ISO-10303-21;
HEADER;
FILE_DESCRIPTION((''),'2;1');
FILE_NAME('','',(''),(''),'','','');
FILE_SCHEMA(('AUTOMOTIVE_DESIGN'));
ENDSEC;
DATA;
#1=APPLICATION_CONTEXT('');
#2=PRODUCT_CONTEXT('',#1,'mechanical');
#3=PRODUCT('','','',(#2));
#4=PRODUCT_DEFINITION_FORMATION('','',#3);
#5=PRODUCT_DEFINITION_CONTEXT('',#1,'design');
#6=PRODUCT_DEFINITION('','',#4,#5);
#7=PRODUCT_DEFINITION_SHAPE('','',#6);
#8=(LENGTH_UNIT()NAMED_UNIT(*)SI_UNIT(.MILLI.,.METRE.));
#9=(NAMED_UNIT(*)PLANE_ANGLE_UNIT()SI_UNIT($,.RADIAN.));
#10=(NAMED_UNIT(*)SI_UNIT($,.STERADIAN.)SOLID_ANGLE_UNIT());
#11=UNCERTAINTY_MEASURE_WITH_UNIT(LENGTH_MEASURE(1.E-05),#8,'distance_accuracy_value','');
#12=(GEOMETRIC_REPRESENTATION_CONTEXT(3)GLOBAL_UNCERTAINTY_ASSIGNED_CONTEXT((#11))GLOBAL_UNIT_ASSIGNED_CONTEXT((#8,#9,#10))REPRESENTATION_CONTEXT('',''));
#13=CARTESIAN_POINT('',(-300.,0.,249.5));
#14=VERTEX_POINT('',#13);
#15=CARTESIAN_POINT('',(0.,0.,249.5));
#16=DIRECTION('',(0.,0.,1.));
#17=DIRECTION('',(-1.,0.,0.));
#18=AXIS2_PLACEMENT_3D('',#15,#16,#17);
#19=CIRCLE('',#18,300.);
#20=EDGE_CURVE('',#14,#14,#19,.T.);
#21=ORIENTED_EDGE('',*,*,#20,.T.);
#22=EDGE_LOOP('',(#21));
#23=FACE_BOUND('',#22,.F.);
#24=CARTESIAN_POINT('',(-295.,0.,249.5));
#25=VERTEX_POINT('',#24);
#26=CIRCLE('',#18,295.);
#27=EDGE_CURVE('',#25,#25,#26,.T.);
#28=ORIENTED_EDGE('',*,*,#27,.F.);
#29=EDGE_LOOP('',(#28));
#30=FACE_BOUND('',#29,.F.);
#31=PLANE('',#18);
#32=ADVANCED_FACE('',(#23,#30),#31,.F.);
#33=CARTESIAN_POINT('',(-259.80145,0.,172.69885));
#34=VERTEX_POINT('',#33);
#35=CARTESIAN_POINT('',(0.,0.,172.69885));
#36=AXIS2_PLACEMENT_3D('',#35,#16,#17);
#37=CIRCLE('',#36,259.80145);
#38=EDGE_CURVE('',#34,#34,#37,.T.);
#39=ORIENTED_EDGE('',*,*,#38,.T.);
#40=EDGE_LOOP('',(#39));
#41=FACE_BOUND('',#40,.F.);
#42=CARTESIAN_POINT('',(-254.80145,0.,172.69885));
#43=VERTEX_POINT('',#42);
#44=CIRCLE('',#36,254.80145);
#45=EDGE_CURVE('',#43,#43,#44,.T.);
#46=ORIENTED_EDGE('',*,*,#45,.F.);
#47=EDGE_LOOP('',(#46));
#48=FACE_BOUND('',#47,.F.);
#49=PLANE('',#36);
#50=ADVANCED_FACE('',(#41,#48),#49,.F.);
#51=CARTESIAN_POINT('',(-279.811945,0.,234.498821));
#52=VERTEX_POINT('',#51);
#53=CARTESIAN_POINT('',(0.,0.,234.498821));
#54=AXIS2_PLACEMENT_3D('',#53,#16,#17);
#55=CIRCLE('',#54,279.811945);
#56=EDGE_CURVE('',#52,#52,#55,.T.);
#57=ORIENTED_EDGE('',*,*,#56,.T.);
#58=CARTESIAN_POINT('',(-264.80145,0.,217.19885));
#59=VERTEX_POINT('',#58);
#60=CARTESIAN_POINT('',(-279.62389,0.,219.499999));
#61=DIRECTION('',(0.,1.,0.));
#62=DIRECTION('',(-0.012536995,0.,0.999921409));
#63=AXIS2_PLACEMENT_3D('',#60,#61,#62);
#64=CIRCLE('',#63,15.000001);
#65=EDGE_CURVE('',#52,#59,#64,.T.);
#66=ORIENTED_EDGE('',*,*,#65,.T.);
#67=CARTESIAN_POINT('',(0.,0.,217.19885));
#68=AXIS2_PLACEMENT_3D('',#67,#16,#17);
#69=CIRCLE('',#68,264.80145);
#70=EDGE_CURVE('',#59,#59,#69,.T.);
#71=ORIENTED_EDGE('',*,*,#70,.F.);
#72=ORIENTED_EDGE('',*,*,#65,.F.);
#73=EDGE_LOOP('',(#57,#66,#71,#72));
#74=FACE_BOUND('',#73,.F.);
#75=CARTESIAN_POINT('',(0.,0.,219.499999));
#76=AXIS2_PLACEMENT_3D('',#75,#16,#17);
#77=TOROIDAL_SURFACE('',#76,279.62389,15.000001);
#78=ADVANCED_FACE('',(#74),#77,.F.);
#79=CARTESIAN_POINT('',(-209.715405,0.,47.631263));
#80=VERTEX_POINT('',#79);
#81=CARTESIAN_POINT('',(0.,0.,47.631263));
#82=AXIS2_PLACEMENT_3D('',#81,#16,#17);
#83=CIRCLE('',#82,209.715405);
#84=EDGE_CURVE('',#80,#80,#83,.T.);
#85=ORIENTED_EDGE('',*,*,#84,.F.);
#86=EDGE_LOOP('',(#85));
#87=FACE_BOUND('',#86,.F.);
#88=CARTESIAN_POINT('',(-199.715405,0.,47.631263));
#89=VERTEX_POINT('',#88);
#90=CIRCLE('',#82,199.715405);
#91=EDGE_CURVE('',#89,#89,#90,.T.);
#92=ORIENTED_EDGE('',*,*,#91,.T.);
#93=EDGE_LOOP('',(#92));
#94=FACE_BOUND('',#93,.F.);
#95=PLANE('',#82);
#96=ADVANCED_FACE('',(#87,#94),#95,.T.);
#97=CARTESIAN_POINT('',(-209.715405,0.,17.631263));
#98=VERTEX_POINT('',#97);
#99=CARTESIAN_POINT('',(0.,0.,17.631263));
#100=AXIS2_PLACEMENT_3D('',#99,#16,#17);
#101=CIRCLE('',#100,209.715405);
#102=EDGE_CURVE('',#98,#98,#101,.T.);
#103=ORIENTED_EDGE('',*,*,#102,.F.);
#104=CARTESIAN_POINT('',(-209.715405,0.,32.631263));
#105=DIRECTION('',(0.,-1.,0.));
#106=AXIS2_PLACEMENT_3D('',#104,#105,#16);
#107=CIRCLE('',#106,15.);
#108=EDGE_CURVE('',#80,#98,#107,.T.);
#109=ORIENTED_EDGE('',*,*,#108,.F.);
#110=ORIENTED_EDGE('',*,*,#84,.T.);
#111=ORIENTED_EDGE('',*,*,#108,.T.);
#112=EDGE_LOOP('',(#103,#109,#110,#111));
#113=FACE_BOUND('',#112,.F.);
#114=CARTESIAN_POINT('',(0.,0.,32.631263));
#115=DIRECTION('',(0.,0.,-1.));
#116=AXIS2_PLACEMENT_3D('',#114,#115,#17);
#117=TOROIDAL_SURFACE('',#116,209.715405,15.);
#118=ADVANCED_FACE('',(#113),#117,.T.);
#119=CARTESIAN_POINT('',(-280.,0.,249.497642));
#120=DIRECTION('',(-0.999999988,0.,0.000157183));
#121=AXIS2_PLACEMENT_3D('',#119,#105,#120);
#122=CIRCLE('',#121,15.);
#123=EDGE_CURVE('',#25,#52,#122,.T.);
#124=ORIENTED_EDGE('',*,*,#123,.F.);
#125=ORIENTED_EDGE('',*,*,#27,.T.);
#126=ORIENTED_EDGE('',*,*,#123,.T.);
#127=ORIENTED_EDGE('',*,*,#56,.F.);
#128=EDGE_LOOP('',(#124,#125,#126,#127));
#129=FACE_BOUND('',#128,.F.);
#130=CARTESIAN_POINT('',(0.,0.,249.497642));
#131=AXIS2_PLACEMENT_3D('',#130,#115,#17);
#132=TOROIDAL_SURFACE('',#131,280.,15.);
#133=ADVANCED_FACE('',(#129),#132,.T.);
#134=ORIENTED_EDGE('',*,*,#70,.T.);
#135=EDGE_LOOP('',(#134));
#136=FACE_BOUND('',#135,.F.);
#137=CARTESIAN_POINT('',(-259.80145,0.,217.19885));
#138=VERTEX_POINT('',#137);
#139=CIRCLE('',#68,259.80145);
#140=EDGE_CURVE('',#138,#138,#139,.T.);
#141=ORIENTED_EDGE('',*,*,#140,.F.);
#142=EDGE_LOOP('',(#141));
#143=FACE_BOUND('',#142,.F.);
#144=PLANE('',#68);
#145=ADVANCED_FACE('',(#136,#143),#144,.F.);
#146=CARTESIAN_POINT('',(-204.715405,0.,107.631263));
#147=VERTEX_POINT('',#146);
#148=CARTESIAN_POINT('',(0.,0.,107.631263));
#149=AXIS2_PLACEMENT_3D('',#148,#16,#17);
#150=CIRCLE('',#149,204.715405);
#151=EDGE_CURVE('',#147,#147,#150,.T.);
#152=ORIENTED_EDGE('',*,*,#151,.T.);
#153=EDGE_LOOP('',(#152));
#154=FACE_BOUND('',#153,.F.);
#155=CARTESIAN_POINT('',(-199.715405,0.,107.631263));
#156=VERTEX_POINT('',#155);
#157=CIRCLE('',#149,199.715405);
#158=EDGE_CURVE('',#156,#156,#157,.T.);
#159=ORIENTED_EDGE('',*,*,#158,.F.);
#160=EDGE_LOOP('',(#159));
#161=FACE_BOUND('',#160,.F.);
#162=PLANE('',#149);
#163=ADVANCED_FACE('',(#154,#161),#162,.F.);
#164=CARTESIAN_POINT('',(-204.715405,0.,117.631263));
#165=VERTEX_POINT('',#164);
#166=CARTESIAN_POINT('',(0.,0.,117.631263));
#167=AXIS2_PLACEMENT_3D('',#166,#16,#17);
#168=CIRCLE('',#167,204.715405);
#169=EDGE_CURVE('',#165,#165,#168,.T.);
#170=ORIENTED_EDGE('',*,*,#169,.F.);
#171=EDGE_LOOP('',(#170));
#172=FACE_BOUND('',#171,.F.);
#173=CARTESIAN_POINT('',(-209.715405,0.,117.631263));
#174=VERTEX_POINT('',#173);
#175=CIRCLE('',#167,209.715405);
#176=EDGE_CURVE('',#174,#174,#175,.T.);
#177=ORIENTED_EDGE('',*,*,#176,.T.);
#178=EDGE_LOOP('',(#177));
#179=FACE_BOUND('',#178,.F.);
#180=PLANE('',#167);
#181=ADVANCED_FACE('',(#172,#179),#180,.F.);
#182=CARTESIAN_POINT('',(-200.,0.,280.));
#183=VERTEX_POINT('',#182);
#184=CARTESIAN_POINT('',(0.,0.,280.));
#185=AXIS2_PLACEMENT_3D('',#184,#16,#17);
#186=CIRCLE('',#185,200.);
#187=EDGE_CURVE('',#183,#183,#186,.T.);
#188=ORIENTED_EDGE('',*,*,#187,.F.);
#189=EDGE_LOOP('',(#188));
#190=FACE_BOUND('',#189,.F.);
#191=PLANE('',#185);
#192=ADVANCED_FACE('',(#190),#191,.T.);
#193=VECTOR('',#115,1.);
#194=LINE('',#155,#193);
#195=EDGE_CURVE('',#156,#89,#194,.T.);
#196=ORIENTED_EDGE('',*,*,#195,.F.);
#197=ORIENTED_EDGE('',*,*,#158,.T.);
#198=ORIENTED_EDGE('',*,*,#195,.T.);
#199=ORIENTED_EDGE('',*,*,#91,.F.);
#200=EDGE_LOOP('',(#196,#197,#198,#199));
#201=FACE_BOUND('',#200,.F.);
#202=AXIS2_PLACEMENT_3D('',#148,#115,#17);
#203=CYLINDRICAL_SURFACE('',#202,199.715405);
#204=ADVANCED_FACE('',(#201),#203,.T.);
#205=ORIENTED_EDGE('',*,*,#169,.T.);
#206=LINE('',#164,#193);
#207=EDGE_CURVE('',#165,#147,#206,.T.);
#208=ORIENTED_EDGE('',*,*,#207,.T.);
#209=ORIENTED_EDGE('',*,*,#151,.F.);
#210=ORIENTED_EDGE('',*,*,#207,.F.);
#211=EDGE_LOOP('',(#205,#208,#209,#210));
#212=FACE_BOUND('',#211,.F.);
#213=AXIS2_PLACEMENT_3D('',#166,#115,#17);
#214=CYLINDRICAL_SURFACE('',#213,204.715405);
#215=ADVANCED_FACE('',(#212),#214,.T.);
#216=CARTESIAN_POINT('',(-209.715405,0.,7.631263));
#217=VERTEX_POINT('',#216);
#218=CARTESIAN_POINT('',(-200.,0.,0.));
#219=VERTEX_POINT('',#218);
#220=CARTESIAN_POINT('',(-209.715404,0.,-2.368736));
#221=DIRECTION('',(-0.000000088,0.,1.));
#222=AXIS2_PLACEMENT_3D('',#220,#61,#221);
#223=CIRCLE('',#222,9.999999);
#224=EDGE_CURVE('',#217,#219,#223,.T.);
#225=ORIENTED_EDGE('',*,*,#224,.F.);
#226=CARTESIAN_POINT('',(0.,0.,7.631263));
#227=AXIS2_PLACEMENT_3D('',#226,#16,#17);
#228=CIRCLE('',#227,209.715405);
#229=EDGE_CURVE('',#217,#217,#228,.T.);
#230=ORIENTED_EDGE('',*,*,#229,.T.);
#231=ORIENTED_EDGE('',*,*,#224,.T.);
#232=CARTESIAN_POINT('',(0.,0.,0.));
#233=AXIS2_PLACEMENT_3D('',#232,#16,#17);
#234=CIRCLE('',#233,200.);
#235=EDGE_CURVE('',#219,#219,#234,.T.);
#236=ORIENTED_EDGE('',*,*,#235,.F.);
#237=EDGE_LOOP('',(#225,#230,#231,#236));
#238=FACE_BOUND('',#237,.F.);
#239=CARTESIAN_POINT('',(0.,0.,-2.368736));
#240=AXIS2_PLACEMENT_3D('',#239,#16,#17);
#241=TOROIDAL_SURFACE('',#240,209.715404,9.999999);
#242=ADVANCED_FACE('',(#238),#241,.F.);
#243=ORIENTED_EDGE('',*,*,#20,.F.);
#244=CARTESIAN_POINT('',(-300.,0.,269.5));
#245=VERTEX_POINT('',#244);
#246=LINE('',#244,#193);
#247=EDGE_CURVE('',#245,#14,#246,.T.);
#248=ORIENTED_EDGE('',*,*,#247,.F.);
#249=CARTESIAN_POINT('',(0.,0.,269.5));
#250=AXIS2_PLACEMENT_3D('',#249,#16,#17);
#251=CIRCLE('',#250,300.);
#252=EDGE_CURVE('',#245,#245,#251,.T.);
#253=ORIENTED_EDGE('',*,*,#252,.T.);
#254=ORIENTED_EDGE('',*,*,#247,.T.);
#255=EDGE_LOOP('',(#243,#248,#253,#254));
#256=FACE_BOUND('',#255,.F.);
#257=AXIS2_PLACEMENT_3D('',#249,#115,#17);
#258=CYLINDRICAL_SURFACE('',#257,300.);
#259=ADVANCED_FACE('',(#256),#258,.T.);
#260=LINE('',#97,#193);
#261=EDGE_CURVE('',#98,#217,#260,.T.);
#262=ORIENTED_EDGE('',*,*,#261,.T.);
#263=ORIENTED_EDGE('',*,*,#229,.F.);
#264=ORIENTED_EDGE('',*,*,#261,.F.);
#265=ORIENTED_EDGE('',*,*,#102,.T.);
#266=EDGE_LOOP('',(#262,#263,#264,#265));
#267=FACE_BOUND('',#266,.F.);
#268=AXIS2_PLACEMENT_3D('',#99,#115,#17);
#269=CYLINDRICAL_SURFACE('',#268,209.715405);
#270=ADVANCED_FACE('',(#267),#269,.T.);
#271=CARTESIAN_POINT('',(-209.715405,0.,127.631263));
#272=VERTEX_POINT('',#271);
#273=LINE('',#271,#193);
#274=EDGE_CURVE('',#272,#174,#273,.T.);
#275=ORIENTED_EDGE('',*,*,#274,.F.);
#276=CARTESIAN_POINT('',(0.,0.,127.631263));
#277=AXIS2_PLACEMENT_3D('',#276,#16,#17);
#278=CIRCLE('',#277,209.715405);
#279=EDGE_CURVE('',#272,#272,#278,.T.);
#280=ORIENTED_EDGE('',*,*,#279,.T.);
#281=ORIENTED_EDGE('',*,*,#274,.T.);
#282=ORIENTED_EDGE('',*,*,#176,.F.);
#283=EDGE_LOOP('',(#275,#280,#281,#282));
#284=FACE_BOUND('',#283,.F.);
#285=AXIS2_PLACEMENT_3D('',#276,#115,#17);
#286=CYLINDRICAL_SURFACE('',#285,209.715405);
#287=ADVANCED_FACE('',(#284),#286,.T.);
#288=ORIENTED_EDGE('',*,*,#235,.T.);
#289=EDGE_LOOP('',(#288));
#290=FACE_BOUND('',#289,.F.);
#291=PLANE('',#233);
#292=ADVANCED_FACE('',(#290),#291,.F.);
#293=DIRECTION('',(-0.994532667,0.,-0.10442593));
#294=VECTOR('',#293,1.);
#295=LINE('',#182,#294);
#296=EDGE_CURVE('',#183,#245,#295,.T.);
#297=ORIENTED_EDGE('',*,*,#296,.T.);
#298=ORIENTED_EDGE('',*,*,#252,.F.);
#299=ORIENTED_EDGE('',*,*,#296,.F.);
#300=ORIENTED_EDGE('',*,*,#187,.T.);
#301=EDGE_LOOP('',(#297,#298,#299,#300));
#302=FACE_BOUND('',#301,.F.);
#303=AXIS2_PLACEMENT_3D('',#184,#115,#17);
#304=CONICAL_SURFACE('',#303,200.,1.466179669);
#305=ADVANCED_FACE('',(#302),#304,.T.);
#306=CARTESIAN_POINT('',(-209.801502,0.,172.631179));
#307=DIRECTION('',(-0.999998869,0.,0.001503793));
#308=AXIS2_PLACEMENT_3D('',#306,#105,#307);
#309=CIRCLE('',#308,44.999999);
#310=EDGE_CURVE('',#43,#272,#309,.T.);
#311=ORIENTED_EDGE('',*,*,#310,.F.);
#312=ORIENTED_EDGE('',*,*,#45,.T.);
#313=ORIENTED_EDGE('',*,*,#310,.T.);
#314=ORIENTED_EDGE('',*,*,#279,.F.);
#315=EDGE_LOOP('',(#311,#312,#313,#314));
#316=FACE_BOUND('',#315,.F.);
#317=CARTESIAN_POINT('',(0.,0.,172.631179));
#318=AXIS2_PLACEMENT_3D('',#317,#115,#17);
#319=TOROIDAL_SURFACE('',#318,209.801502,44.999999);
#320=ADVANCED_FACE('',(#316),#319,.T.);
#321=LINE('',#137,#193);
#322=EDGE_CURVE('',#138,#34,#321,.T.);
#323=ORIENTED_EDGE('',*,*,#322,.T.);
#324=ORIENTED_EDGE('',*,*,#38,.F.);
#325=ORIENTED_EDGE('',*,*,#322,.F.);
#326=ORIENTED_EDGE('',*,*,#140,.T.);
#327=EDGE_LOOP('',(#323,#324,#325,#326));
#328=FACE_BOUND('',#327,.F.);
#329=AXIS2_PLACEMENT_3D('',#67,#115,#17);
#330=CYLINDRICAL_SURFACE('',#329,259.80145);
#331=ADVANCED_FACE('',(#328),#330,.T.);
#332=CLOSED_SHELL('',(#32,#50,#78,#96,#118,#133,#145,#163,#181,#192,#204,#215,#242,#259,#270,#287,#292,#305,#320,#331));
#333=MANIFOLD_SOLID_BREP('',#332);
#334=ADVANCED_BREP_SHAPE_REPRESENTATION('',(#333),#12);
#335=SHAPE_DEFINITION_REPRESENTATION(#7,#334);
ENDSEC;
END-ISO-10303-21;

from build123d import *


with BuildPart() as f1:
    # F0 (on Front) → F1 (revolve)
    with BuildSketch(Plane.XZ):
        with BuildLine():
            Line((-200, 0), (0, 0))
            Line((0, 0), (0, 280))
            Line((0, 280), (-200, 280))
            Line((-200, 280), (-300, 269.5))
            Line((-300, 269.5), (-300, 249.5))
            Line((-300, 249.5), (-295, 249.5))
            ThreePointArc((-295, 249.5), (-290.540743, 238.825588), (-279.811945, 234.498821))
            ThreePointArc((-279.811945, 234.498821), (-268.294126, 229.330384), (-264.80145, 217.19885))
            Line((-264.80145, 217.19885), (-259.80145, 217.19885))
            Line((-259.80145, 217.19885), (-259.80145, 172.69885))
            Line((-259.80145, 172.69885), (-254.80145, 172.69885))
            ThreePointArc((-254.80145, 172.69885), (-241.614791, 140.804861), (-209.715405, 127.631263))
            Line((-209.715405, 127.631263), (-209.715405, 117.631263))
            Line((-209.715405, 117.631263), (-204.715405, 117.631263))
            Line((-204.715405, 117.631263), (-204.715405, 107.631263))
            Line((-204.715405, 107.631263), (-199.715405, 107.631263))
            Line((-199.715405, 107.631263), (-199.715405, 47.631263))
            Line((-199.715405, 47.631263), (-209.715405, 47.631263))
            ThreePointArc((-209.715405, 47.631263), (-224.715405, 32.631263), (-209.715405, 17.631263))
            Line((-209.715405, 17.631263), (-209.715405, 7.631263))
            ThreePointArc((-209.715405, 7.631263), (-203.538325, 5.495339), (-200, 0))
        make_face()
    revolve(axis=Axis((0, 0, 140), (0, 0, 1)))


solid = f1.part
